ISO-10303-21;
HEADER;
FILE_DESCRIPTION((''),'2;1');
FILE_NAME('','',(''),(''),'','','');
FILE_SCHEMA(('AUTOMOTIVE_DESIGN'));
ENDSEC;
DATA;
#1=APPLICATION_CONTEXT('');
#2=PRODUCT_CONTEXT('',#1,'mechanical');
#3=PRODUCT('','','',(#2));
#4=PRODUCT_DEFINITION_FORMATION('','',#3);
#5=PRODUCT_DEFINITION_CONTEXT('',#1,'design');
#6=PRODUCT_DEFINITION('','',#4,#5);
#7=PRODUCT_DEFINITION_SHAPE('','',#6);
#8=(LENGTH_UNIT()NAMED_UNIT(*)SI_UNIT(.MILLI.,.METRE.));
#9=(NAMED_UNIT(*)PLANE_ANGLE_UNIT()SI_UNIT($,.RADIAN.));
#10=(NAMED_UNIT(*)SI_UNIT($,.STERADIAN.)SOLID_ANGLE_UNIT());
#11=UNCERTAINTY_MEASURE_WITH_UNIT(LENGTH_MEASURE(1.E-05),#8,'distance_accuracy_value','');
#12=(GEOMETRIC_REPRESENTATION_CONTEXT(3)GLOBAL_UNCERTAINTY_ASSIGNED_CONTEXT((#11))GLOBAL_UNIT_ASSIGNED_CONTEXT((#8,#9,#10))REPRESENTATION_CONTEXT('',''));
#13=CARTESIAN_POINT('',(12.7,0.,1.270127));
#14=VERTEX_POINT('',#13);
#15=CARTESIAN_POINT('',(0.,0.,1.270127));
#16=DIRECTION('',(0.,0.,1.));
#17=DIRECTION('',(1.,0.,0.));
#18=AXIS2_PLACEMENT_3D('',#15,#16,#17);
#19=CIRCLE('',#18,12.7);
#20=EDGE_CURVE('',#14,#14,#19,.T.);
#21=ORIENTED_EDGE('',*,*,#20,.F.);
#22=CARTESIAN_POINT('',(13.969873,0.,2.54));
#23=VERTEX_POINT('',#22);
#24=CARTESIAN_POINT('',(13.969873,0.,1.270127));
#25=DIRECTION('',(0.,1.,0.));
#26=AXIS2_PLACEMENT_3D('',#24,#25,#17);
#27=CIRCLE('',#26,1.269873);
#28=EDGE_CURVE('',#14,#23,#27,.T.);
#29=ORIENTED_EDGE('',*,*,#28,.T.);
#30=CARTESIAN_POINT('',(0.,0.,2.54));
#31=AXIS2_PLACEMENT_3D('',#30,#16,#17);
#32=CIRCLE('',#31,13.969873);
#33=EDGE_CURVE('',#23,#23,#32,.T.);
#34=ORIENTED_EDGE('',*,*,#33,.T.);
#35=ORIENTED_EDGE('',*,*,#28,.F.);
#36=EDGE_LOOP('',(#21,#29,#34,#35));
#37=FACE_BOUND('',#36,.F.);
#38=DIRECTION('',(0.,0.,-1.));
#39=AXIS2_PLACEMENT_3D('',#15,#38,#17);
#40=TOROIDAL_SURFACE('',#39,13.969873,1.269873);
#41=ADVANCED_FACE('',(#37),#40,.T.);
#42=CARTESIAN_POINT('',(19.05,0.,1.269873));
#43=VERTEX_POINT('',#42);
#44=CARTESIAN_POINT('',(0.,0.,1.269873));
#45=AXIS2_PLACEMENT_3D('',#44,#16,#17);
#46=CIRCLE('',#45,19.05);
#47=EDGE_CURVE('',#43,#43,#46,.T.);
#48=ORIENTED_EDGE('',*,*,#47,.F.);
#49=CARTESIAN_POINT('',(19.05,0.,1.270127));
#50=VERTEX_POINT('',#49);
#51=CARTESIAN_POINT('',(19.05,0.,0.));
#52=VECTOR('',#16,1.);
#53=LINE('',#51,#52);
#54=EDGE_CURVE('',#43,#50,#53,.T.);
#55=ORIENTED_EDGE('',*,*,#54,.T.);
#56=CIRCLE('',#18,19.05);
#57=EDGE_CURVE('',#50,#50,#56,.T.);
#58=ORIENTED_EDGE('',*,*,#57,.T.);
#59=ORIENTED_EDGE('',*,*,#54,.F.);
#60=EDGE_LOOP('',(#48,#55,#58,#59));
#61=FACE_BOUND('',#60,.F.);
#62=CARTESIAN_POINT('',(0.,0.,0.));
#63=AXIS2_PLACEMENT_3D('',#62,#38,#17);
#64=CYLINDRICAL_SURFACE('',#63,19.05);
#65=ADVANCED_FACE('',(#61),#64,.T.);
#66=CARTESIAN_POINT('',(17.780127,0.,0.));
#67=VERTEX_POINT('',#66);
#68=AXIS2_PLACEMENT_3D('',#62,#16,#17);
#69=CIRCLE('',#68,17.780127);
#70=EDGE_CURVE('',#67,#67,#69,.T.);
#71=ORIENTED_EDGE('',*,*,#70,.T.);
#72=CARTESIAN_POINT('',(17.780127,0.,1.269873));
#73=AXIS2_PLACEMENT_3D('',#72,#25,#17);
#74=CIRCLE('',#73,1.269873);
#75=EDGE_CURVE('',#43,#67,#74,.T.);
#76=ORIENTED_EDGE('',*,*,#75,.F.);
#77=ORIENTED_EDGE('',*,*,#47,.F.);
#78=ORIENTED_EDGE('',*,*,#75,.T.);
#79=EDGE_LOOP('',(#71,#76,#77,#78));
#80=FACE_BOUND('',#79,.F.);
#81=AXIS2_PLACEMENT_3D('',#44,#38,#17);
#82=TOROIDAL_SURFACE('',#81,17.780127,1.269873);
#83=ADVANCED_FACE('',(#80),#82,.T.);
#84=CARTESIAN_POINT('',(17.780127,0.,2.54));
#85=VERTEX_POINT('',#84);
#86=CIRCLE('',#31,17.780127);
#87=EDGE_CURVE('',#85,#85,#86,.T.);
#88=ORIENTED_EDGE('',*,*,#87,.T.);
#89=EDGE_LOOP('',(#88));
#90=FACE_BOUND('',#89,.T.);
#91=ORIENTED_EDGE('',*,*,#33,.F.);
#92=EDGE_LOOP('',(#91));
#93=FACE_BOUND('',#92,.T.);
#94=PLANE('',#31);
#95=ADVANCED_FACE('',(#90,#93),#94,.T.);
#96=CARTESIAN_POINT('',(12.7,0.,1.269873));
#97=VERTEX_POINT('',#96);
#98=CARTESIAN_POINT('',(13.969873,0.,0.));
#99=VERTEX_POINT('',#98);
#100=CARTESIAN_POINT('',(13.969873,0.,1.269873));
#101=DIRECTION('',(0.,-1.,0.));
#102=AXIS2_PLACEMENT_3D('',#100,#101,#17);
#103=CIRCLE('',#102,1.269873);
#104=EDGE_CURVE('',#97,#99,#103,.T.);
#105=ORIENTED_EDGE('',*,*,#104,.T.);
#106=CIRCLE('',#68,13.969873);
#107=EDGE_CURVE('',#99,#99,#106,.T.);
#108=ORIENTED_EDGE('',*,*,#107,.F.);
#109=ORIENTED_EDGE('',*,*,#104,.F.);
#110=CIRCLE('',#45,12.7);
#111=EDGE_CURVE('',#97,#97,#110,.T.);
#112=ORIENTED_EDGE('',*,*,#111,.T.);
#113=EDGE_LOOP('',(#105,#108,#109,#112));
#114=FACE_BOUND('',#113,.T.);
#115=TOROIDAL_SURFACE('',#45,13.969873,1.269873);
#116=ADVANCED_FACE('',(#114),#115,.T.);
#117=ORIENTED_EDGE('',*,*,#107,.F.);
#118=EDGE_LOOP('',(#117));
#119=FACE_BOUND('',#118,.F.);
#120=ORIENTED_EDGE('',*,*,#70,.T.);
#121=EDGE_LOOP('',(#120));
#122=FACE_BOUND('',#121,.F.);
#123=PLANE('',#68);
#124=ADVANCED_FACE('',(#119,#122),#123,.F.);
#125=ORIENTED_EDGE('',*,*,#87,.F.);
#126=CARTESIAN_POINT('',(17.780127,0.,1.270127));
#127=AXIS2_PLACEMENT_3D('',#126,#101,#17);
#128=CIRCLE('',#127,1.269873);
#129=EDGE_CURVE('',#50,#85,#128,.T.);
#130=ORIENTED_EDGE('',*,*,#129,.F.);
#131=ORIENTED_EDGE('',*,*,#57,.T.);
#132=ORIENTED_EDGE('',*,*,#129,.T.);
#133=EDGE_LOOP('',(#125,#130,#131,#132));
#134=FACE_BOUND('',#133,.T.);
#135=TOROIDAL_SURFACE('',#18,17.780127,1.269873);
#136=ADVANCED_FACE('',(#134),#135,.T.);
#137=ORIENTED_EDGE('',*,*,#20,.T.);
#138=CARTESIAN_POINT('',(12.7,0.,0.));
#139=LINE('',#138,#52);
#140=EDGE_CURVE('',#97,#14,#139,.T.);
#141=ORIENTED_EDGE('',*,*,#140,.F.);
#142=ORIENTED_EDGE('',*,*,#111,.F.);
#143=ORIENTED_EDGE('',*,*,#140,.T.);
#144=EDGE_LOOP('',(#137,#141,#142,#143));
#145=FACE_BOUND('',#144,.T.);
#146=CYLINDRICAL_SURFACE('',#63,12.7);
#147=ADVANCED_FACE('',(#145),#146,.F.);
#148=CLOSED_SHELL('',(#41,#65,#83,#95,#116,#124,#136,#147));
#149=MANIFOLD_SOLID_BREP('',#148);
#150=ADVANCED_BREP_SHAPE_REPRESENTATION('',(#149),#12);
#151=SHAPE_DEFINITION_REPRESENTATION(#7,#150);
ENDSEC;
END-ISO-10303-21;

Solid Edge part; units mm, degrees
sketch "Sketch1" plane through (0, 0, 0) normal (0, 0, 1) x (1, 0, 0)
  circle A0 centre (0, 0) radius 19.05
  circle A1 centre (0, 0) radius 12.7
extrude "Protrusion1" add sketch "Sketch1" along normal blind 2.54
fillet "Round_1" radius 1.27 4 edges at (-12.7, 0, 2.54) (-12.7, 0, 0) (-19.05, 0, 2.54) (-19.05, 0, 0)
